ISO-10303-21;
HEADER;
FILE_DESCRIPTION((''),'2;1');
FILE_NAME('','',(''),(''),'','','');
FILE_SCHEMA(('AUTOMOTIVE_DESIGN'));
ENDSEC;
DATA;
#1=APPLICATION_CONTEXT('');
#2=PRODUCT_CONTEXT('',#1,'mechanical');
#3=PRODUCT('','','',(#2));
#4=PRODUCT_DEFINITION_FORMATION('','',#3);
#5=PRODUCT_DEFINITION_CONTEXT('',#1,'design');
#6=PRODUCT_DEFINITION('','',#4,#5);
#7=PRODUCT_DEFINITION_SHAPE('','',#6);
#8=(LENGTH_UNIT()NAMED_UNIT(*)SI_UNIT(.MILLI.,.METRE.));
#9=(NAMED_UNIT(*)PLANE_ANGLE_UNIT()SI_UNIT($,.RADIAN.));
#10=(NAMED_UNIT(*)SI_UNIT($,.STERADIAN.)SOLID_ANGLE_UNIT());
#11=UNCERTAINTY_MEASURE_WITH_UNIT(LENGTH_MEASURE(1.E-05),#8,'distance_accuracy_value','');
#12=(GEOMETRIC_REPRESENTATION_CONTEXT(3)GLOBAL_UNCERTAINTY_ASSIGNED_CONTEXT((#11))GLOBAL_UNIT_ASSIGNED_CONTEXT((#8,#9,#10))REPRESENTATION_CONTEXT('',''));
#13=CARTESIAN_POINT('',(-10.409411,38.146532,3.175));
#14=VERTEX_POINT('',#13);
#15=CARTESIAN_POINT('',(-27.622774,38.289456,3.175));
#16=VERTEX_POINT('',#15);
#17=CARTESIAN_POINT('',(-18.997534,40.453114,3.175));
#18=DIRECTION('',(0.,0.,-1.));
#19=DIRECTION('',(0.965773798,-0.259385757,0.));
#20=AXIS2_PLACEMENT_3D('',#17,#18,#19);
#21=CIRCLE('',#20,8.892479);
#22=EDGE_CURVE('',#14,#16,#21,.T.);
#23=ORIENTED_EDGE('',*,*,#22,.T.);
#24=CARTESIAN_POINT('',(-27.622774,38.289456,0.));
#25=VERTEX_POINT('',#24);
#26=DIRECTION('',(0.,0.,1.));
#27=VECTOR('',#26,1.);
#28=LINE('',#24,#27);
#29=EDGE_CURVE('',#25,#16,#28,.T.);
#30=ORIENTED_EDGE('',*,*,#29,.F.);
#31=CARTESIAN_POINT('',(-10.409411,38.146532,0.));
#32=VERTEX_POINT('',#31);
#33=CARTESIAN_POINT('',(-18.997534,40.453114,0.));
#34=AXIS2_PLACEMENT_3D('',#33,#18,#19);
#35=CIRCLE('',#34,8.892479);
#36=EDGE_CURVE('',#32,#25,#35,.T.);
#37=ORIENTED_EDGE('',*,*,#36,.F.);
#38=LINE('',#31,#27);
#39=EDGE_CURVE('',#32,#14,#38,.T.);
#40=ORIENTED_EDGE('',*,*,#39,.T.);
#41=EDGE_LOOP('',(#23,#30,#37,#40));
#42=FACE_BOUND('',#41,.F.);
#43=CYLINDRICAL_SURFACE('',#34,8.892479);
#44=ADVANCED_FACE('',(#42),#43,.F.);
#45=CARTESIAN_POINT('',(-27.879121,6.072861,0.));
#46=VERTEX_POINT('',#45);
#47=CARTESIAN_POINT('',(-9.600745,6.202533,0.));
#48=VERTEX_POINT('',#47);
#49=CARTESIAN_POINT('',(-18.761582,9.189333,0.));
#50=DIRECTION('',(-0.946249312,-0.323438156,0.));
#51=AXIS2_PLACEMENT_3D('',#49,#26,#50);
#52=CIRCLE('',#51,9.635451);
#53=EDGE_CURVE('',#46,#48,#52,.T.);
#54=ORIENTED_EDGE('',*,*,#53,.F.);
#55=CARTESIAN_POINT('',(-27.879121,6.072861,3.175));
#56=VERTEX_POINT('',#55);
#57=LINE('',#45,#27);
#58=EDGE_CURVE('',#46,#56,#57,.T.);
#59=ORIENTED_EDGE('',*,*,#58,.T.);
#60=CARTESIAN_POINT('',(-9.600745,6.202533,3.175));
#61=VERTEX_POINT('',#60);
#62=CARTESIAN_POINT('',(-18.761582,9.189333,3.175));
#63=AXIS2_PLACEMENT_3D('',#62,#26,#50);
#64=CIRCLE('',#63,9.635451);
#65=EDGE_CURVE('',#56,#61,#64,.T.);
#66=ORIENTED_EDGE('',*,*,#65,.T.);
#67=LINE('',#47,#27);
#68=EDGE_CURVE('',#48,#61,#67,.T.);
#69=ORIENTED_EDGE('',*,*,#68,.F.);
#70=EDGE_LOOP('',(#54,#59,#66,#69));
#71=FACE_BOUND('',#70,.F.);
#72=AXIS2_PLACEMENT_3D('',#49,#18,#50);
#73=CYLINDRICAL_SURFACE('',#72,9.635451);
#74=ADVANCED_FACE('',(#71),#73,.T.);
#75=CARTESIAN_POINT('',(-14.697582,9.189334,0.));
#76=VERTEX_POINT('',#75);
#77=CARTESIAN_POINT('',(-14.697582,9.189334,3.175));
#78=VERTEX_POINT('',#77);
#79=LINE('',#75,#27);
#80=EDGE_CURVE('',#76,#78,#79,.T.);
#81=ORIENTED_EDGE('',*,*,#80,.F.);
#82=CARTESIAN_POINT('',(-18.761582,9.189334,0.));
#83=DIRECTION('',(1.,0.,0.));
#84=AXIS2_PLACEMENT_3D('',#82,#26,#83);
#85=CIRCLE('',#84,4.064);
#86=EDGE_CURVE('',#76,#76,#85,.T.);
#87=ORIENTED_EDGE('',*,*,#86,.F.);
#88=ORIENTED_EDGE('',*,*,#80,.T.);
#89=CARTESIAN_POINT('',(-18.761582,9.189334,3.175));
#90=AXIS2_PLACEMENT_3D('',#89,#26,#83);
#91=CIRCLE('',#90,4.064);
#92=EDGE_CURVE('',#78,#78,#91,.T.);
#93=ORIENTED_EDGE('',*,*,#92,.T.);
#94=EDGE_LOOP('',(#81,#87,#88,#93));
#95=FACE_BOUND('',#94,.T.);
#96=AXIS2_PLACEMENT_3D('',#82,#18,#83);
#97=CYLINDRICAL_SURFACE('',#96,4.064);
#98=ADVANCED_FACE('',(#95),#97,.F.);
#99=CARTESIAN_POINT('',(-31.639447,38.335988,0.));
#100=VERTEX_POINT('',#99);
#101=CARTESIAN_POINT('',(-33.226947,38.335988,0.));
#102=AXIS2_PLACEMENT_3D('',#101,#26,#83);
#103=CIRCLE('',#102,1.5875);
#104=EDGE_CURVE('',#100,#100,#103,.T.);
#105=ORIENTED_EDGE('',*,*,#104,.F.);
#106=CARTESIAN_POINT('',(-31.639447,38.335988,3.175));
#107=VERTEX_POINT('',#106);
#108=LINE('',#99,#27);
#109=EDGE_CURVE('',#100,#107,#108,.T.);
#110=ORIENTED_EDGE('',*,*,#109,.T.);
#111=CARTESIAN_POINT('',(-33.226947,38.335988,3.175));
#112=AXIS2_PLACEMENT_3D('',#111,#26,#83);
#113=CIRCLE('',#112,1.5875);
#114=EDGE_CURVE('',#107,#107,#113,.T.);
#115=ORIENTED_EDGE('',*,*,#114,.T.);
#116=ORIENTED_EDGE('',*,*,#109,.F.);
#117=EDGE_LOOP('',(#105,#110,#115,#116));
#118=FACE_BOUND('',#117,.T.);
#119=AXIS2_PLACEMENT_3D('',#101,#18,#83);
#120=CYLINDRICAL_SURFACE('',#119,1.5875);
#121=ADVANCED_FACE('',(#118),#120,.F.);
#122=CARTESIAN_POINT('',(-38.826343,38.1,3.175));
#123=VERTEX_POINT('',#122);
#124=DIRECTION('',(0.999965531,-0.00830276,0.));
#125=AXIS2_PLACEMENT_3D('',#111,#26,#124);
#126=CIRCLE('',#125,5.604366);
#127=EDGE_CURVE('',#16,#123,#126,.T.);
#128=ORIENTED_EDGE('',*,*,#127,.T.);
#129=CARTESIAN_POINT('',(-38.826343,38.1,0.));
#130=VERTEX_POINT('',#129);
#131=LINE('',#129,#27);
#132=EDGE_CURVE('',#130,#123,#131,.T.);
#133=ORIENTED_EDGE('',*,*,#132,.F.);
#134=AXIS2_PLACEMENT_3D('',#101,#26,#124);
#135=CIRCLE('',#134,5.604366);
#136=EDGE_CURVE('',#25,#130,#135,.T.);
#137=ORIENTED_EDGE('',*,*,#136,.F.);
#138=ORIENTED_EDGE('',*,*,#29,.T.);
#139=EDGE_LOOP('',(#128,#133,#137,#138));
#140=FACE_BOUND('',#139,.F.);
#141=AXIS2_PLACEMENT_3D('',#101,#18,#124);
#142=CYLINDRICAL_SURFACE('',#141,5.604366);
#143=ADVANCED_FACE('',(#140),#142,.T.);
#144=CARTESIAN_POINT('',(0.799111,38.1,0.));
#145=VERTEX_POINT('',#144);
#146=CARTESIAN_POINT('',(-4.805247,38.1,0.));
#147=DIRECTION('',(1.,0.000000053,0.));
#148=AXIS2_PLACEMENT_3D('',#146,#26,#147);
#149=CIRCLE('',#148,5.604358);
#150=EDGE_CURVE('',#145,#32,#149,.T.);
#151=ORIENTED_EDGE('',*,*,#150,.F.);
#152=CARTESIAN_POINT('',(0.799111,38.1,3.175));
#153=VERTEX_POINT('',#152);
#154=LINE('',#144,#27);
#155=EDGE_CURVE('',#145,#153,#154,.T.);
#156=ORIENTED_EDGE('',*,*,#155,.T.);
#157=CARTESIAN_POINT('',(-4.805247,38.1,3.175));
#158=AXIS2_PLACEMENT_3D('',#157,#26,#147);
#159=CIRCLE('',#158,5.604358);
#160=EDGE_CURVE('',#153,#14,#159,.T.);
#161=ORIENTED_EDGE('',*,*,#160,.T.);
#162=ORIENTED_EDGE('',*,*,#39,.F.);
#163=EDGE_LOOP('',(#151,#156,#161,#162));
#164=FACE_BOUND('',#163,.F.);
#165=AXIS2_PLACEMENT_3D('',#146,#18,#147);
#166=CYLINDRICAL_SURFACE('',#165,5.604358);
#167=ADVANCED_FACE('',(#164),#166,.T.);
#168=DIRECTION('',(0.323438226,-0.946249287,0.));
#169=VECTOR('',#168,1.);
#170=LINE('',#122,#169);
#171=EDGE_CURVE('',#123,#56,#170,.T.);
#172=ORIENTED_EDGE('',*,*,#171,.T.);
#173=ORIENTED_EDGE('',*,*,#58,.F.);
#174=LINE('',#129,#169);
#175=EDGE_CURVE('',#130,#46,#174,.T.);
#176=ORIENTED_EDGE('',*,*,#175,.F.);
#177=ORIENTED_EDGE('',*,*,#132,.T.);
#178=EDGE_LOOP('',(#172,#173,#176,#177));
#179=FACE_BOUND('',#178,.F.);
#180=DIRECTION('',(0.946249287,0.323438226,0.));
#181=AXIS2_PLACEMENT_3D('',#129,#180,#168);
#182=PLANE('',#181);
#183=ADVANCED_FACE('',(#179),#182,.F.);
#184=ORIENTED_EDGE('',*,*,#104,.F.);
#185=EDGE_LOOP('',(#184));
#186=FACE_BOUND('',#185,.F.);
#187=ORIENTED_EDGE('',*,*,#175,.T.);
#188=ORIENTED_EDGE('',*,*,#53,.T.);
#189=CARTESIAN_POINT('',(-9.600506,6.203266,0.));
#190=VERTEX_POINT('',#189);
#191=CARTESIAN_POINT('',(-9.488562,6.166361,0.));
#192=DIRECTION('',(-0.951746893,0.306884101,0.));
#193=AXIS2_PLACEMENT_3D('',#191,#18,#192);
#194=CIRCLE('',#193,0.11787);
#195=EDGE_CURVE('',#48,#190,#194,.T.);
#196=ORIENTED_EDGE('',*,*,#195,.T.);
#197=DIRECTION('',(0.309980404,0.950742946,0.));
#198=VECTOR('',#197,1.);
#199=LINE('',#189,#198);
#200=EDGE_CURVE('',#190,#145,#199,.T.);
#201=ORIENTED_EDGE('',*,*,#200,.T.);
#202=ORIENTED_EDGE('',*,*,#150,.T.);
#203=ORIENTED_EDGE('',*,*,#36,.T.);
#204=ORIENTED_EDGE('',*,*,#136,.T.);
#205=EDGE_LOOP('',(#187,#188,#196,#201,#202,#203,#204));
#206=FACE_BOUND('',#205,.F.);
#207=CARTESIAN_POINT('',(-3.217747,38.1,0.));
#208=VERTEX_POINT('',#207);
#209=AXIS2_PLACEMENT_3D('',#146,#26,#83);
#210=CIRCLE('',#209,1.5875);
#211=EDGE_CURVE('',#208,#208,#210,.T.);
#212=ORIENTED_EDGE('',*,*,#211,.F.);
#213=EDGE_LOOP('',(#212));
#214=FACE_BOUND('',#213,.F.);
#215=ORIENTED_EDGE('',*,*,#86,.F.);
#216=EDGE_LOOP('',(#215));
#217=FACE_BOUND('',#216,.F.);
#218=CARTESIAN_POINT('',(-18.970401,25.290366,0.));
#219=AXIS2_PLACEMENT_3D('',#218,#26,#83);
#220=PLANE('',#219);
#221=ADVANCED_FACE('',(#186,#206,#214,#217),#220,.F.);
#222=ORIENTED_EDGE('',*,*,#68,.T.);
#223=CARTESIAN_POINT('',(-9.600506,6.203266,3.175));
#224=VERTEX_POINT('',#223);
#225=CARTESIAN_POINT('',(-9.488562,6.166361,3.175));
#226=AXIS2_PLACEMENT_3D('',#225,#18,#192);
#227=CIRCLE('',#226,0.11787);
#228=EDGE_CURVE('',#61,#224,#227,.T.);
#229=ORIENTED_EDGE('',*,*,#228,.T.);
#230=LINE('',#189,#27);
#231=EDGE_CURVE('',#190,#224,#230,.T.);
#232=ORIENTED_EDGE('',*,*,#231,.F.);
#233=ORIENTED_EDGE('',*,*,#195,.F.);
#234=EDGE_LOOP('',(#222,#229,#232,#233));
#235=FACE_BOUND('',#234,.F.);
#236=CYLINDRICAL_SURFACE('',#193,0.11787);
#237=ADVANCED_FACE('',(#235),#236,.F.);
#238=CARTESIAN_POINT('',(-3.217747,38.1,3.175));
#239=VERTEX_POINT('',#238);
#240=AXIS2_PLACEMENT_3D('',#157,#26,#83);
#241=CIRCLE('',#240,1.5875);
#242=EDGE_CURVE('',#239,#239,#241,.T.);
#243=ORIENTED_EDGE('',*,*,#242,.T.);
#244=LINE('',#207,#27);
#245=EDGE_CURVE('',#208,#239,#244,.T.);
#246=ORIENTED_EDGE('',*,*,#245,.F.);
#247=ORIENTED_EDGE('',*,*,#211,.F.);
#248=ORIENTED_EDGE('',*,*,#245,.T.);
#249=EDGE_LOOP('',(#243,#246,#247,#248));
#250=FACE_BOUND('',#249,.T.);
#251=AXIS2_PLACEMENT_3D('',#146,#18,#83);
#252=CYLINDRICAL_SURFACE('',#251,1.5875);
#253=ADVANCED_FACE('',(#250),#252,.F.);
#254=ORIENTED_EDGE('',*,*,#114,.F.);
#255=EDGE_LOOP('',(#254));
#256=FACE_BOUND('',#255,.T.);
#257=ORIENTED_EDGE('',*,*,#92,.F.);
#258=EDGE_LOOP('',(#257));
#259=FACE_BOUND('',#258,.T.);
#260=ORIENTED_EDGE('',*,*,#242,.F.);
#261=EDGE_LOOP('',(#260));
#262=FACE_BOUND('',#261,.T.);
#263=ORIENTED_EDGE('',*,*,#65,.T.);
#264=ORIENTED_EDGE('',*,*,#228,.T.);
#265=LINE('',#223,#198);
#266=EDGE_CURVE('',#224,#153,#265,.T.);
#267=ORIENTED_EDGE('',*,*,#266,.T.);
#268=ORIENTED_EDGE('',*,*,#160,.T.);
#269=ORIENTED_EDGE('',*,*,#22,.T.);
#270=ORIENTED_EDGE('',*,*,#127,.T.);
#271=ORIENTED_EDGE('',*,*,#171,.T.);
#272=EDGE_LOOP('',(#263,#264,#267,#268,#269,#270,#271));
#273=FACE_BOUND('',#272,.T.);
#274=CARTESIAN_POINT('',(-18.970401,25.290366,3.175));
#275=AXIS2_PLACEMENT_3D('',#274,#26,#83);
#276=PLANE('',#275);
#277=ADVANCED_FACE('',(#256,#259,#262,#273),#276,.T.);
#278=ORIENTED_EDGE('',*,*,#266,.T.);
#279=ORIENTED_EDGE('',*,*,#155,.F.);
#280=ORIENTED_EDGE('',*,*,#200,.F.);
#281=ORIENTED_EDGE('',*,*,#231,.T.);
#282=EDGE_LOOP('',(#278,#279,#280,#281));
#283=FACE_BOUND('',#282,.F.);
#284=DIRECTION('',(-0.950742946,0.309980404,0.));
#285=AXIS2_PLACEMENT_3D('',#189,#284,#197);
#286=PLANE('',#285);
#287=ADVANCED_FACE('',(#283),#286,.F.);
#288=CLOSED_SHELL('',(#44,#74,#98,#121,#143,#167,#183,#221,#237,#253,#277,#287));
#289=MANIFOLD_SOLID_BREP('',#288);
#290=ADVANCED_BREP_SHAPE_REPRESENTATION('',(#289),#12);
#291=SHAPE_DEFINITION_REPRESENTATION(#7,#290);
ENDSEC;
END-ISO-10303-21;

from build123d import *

# Parameters (mm, degrees)
F0_R     = 4.064
F0_R_2   = 1.5875
F1_DEPTH = 3.175


with BuildPart() as f1:
    # F0 (on Top) → F1 (new body)
    with BuildSketch(Plane.XY):
        with BuildLine():
            ThreePointArc((-10.409411, 38.146532), (-19.071367, 31.560942), (-27.622774, 38.289456))
            ThreePointArc((-27.622774, 38.289456), (-33.321705, 43.939553), (-38.826343, 38.1))
            Line((-38.826343, 38.1), (-27.879121, 6.072861))
            ThreePointArc((-27.879121, 6.072861), (-18.693227, -0.445875), (-9.600745, 6.202533))
            ThreePointArc((-9.600745, 6.202533), (-9.600626, 6.2029), (-9.600506, 6.203266))
            Line((-9.600506, 6.203266), (0.799111, 38.1))
            ThreePointArc((0.799111, 38.1), (-4.781981, 43.704309), (-10.409411, 38.146532))
        make_face()
        with Locations((-18.761582, 9.189334)):
            Circle(F0_R, mode=Mode.SUBTRACT)
        with Locations((-33.226947, 38.335988)):
            Circle(F0_R_2, mode=Mode.SUBTRACT)
        with Locations((-4.805247, 38.1)):
            Circle(F0_R_2, mode=Mode.SUBTRACT)
    extrude(amount=F1_DEPTH)


solid = f1.part
